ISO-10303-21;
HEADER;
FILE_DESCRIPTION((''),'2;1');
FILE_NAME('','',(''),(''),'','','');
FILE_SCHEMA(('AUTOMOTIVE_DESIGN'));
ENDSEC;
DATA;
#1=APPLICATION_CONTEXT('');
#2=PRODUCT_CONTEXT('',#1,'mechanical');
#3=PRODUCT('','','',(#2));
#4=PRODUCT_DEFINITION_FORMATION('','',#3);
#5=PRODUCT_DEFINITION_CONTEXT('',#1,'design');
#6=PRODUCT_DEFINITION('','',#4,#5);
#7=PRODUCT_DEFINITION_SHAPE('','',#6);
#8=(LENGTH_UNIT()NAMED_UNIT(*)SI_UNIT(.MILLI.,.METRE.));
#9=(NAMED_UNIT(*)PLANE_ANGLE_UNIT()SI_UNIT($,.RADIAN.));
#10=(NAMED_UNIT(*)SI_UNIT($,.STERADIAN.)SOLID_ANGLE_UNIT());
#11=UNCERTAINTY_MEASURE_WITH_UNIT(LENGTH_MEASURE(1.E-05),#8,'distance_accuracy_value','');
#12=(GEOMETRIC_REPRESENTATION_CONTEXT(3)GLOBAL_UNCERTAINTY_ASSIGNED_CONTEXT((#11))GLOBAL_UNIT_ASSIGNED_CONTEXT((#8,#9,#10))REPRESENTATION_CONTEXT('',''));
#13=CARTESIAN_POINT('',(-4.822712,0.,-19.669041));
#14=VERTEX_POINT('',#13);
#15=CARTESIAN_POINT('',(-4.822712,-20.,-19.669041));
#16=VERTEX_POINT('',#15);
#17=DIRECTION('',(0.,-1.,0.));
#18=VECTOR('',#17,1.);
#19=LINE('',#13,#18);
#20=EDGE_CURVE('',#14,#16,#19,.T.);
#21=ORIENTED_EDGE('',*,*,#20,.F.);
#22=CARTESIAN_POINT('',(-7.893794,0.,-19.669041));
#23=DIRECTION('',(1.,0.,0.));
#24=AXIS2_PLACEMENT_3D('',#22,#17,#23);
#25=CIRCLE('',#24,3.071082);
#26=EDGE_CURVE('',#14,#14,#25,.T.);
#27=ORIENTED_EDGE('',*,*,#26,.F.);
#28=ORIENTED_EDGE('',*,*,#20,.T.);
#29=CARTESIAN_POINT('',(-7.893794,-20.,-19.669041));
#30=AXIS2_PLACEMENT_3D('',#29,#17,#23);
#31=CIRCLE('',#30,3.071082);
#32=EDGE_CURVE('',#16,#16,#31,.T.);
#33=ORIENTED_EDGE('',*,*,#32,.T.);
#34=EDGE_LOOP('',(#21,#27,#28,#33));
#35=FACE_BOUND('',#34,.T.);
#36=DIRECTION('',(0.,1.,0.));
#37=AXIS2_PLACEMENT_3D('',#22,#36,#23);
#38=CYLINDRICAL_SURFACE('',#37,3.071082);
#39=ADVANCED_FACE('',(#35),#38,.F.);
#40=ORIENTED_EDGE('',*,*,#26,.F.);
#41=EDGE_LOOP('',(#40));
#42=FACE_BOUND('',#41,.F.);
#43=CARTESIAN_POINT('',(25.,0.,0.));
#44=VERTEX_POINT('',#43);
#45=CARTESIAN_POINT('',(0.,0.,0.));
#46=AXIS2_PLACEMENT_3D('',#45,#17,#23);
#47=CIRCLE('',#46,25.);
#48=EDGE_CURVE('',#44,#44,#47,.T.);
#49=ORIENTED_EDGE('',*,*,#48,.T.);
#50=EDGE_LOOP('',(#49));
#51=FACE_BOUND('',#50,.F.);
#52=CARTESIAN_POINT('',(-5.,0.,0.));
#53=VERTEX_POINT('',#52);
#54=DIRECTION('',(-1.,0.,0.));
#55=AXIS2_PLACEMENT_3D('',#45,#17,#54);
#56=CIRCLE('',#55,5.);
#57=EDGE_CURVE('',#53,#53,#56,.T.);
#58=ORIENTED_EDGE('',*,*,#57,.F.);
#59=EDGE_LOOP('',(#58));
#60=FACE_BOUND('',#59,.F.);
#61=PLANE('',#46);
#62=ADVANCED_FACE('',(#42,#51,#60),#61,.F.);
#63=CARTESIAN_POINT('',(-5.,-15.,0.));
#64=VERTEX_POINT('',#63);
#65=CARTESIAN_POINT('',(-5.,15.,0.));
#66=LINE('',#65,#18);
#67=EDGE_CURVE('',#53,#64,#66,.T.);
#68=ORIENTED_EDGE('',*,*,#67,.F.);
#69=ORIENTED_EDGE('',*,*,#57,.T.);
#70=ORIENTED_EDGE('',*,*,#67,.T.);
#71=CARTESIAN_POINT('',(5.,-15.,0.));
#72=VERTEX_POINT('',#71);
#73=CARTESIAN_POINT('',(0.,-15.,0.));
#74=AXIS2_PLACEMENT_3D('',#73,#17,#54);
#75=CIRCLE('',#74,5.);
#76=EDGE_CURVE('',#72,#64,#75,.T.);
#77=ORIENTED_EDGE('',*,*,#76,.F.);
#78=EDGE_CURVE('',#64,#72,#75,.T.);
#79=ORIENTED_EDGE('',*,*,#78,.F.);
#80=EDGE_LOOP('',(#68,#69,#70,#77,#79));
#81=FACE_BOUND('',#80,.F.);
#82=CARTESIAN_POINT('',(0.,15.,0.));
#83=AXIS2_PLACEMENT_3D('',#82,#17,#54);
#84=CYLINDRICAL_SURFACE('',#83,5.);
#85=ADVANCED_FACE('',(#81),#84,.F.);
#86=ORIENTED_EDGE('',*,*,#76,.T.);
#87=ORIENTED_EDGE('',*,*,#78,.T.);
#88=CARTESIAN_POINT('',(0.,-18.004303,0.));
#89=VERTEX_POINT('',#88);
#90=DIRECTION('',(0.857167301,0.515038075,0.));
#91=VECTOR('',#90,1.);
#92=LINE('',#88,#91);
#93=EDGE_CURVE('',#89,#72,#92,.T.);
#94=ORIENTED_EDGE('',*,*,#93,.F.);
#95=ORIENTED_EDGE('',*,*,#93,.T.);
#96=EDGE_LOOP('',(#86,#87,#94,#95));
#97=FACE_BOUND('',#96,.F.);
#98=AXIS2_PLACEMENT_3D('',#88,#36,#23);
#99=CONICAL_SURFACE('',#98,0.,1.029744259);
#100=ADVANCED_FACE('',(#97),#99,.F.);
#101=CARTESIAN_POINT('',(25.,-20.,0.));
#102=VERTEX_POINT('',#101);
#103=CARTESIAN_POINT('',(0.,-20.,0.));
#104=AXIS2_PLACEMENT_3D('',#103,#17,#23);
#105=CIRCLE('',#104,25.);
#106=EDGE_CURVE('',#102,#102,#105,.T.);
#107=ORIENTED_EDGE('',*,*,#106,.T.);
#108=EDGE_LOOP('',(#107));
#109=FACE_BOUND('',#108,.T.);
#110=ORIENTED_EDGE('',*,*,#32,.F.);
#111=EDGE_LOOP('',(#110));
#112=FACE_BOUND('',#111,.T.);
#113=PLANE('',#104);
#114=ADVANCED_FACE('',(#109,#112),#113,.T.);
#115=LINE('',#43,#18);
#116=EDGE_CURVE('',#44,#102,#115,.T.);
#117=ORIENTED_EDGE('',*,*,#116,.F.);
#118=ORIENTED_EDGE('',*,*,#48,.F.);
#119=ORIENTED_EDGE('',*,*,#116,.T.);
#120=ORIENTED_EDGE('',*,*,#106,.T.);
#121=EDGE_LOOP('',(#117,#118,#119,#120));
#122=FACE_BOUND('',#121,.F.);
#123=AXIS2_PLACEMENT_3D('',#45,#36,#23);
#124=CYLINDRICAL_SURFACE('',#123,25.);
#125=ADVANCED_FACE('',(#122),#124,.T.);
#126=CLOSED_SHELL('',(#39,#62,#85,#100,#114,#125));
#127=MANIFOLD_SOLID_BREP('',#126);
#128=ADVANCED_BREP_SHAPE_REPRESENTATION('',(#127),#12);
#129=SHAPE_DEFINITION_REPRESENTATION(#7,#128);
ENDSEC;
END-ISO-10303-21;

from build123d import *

# Parameters (mm, degrees)
F0_R     = 25
F0_R_2   = 3.0710823744
F1_DEPTH = 20
F2_D     = 10
F2_DEPTH = 15
F2_TIP   = 3.0043030951


with BuildPart() as f1:
    # F0 (on Front) → F1 (new body)
    with BuildSketch(Plane.XZ):
        Circle(F0_R)
        with Locations((-7.8937942162, -19.6690410376)):
            Circle(F0_R_2, mode=Mode.SUBTRACT)
    extrude(amount=F1_DEPTH)

    # F2
    with Locations(Plane(origin=(0, 0, 0), x_dir=(1, 0, 0), z_dir=(0, 1, 0))):
        with Locations((0, 0)):
            Hole(F2_D / 2, depth=F2_DEPTH)
            with Locations((0, 0, -(F2_DEPTH + F2_TIP / 2))):  # 118° drill point
                Cone(0, F2_D / 2, F2_TIP, mode=Mode.SUBTRACT)


solid = f1.part
